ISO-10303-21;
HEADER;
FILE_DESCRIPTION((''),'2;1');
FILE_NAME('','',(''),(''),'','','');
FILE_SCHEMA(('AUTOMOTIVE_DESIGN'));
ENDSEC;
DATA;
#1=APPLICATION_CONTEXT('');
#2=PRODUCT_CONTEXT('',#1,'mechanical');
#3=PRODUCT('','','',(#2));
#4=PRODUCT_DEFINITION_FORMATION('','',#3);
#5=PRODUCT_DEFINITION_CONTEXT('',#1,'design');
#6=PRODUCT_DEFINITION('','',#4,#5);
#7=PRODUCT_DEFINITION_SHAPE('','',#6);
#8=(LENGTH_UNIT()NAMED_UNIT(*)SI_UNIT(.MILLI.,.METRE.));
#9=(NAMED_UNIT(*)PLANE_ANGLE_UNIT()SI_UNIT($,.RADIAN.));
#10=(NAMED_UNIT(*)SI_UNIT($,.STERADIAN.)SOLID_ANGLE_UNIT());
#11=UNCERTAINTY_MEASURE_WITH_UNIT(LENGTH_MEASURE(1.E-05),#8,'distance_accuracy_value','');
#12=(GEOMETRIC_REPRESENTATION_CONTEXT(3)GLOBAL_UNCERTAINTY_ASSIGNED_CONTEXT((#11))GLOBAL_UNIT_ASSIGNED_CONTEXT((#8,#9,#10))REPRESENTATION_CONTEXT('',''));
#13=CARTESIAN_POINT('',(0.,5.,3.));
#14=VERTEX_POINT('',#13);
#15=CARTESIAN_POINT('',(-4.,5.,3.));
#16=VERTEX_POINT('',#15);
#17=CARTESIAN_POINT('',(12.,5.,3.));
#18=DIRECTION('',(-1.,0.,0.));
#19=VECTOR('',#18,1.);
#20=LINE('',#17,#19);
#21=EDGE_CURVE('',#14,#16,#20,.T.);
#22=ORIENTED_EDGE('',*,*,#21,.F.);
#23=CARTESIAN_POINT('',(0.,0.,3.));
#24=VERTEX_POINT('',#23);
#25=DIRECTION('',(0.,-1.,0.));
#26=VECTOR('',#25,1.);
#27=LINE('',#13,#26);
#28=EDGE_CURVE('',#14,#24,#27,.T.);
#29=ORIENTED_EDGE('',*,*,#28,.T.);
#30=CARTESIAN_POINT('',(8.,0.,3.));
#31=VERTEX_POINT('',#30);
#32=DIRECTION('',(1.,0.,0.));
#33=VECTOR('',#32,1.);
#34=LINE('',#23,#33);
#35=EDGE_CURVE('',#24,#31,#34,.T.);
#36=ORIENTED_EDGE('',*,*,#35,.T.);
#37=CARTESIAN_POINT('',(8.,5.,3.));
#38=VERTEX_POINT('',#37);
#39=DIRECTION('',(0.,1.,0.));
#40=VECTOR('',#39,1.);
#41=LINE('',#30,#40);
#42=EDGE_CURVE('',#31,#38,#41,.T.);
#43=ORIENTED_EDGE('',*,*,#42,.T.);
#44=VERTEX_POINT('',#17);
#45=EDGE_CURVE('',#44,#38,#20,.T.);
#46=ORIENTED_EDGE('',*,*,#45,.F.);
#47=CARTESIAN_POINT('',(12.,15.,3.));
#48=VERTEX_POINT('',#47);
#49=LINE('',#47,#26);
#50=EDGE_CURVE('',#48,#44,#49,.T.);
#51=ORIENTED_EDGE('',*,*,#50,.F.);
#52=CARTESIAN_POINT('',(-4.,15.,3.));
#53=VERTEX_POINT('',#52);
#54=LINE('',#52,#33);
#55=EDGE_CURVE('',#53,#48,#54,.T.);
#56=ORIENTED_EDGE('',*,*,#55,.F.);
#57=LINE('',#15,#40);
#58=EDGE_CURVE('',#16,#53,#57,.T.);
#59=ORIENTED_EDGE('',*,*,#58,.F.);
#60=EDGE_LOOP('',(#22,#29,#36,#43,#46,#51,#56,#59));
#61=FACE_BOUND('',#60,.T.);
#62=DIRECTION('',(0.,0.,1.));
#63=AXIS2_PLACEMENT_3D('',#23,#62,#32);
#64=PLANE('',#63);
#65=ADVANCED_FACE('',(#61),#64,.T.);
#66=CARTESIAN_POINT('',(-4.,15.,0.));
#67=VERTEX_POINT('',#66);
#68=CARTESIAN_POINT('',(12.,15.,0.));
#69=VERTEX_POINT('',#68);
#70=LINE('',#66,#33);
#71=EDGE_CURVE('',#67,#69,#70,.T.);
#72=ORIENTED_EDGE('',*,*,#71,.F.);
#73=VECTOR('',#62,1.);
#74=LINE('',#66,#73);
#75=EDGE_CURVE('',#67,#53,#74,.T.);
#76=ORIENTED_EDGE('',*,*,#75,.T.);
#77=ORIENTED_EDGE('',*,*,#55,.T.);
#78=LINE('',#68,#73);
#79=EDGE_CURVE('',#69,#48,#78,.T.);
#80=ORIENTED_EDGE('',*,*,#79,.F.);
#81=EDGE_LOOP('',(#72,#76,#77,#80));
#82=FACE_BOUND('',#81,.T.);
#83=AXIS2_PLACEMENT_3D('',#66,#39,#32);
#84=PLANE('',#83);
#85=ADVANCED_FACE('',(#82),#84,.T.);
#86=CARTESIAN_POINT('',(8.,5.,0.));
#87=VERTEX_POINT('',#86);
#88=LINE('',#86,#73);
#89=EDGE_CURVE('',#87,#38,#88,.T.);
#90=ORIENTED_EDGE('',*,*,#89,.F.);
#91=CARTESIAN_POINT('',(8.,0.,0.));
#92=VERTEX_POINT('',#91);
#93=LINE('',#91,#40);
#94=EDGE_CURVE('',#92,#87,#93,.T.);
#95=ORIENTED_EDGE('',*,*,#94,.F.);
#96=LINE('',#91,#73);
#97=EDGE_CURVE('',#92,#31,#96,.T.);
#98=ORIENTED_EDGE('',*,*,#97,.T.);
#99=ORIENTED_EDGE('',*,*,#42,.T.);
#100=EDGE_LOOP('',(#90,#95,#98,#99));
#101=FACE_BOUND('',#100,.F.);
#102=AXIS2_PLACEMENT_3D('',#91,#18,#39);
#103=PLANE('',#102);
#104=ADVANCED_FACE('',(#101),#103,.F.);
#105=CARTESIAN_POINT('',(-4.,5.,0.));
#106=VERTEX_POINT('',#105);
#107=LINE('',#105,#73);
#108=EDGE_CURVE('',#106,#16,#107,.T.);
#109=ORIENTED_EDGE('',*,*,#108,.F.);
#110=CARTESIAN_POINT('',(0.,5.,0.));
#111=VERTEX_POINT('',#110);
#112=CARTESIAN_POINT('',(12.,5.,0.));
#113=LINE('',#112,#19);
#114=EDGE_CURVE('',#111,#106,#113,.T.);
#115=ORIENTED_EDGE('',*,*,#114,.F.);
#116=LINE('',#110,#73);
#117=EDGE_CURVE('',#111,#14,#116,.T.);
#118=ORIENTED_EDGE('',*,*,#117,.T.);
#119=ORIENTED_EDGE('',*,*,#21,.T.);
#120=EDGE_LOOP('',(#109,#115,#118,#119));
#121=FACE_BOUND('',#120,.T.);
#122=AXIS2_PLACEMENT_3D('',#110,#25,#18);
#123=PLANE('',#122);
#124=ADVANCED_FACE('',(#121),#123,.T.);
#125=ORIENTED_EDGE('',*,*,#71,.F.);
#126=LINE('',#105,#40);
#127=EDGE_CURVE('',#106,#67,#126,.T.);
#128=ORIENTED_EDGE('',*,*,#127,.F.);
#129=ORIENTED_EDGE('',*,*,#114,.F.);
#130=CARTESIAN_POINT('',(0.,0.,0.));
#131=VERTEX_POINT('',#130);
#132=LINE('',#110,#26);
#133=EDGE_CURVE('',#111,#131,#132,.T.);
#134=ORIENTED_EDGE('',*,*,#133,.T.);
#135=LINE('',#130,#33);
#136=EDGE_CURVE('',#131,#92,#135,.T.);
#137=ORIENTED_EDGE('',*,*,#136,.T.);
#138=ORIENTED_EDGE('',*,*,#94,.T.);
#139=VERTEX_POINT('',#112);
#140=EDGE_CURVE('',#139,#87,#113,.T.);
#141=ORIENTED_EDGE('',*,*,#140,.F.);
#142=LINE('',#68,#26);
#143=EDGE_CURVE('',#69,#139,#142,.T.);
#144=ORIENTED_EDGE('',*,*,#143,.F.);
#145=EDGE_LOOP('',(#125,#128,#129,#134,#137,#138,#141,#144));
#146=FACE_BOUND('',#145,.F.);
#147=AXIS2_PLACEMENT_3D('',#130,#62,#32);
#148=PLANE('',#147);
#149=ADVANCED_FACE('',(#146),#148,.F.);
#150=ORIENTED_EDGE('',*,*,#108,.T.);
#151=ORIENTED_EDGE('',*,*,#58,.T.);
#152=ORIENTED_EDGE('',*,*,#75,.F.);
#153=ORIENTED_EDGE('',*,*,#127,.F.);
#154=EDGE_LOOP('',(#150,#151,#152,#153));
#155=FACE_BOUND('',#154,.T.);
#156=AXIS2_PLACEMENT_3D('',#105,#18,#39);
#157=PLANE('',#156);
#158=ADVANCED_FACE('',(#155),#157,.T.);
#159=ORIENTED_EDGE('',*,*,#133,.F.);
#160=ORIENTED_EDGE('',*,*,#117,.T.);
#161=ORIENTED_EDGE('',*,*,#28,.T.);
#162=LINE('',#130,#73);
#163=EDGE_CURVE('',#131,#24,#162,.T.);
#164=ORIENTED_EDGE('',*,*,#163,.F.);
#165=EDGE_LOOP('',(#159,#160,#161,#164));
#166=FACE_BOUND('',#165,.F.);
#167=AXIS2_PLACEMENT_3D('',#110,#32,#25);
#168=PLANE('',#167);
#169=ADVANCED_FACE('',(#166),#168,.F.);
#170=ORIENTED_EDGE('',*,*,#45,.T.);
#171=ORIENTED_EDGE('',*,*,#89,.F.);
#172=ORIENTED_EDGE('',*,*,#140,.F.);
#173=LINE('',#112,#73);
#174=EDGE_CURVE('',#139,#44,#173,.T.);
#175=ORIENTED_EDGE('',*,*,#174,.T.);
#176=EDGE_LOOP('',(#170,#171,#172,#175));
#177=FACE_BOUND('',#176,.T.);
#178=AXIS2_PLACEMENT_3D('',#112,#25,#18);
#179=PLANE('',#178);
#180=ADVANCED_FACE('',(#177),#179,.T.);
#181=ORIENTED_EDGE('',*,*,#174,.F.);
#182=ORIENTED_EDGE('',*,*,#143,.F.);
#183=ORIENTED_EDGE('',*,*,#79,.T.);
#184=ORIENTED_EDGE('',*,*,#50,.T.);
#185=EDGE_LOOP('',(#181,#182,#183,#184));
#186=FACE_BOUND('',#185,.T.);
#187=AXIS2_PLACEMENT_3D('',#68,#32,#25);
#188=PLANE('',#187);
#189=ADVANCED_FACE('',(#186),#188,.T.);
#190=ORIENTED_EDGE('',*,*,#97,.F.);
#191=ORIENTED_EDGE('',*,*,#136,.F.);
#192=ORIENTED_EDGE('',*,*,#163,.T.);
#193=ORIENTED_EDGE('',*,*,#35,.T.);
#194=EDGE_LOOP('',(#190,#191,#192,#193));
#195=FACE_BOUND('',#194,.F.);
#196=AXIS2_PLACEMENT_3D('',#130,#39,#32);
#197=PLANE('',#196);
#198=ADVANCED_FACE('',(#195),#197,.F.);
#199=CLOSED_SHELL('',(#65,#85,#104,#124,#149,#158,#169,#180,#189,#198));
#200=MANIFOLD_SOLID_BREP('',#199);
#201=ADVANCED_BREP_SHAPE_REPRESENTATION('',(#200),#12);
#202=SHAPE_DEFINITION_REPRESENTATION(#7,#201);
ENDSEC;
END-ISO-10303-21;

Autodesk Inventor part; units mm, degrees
ref_plane "YZ Plane" through (0, 0, 0) normal (1, 0, 0) x (0, 1, 0)
ref_plane "XZ Plane" through (0, 0, 0) normal (0, 1, 0) x (-1, 0, 0)
ref_plane "XY Plane" through (0, 0, 0) normal (0, 0, 1) x (1, 0, 0)
sketch "草圖1" plane through (0, 0, 0) normal (0, 0, 1) x (1, 0, 0)
  line L0 (0, 0) -> (8, 0)
  line L1 (8, 0) -> (8, 5)
  line L2 (8, 5) -> (0, 5)
  line L3 (0, 5) -> (0, 0)
  line L4 (-4, 15) -> (12, 15)
  line L5 (12, 15) -> (12, 5)
  line L6 (12, 5) -> (-4, 5)
  line L7 (-4, 5) -> (-4, 15)
  dimension "d0" = 8
  dimension "d1" = 5
  dimension "d2" = 4
  dimension "d3" = 4
  dimension "d4" = 10
extrude "擠出1" add sketch "草圖1" along normal blind 3
sketch "草圖2" plane through (0, 0, 3) normal (0, 0, 1) x (1, 0, 0)
  line L0 (12, 15) -> (-4, 15) projected
  line L1 (-4, 15) -> (-4, 5) projected
  line L2 (-4, 5) -> (0, 5) projected
  line L3 (0, 5) -> (0, 0) projected
  line L4 (0, 0) -> (8, 0) projected
  line L5 (8, 0) -> (8, 5) projected
  line L6 (8, 5) -> (12, 5) projected
  line L7 (12, 5) -> (12, 15) projected
properties part number "bracket_2"
